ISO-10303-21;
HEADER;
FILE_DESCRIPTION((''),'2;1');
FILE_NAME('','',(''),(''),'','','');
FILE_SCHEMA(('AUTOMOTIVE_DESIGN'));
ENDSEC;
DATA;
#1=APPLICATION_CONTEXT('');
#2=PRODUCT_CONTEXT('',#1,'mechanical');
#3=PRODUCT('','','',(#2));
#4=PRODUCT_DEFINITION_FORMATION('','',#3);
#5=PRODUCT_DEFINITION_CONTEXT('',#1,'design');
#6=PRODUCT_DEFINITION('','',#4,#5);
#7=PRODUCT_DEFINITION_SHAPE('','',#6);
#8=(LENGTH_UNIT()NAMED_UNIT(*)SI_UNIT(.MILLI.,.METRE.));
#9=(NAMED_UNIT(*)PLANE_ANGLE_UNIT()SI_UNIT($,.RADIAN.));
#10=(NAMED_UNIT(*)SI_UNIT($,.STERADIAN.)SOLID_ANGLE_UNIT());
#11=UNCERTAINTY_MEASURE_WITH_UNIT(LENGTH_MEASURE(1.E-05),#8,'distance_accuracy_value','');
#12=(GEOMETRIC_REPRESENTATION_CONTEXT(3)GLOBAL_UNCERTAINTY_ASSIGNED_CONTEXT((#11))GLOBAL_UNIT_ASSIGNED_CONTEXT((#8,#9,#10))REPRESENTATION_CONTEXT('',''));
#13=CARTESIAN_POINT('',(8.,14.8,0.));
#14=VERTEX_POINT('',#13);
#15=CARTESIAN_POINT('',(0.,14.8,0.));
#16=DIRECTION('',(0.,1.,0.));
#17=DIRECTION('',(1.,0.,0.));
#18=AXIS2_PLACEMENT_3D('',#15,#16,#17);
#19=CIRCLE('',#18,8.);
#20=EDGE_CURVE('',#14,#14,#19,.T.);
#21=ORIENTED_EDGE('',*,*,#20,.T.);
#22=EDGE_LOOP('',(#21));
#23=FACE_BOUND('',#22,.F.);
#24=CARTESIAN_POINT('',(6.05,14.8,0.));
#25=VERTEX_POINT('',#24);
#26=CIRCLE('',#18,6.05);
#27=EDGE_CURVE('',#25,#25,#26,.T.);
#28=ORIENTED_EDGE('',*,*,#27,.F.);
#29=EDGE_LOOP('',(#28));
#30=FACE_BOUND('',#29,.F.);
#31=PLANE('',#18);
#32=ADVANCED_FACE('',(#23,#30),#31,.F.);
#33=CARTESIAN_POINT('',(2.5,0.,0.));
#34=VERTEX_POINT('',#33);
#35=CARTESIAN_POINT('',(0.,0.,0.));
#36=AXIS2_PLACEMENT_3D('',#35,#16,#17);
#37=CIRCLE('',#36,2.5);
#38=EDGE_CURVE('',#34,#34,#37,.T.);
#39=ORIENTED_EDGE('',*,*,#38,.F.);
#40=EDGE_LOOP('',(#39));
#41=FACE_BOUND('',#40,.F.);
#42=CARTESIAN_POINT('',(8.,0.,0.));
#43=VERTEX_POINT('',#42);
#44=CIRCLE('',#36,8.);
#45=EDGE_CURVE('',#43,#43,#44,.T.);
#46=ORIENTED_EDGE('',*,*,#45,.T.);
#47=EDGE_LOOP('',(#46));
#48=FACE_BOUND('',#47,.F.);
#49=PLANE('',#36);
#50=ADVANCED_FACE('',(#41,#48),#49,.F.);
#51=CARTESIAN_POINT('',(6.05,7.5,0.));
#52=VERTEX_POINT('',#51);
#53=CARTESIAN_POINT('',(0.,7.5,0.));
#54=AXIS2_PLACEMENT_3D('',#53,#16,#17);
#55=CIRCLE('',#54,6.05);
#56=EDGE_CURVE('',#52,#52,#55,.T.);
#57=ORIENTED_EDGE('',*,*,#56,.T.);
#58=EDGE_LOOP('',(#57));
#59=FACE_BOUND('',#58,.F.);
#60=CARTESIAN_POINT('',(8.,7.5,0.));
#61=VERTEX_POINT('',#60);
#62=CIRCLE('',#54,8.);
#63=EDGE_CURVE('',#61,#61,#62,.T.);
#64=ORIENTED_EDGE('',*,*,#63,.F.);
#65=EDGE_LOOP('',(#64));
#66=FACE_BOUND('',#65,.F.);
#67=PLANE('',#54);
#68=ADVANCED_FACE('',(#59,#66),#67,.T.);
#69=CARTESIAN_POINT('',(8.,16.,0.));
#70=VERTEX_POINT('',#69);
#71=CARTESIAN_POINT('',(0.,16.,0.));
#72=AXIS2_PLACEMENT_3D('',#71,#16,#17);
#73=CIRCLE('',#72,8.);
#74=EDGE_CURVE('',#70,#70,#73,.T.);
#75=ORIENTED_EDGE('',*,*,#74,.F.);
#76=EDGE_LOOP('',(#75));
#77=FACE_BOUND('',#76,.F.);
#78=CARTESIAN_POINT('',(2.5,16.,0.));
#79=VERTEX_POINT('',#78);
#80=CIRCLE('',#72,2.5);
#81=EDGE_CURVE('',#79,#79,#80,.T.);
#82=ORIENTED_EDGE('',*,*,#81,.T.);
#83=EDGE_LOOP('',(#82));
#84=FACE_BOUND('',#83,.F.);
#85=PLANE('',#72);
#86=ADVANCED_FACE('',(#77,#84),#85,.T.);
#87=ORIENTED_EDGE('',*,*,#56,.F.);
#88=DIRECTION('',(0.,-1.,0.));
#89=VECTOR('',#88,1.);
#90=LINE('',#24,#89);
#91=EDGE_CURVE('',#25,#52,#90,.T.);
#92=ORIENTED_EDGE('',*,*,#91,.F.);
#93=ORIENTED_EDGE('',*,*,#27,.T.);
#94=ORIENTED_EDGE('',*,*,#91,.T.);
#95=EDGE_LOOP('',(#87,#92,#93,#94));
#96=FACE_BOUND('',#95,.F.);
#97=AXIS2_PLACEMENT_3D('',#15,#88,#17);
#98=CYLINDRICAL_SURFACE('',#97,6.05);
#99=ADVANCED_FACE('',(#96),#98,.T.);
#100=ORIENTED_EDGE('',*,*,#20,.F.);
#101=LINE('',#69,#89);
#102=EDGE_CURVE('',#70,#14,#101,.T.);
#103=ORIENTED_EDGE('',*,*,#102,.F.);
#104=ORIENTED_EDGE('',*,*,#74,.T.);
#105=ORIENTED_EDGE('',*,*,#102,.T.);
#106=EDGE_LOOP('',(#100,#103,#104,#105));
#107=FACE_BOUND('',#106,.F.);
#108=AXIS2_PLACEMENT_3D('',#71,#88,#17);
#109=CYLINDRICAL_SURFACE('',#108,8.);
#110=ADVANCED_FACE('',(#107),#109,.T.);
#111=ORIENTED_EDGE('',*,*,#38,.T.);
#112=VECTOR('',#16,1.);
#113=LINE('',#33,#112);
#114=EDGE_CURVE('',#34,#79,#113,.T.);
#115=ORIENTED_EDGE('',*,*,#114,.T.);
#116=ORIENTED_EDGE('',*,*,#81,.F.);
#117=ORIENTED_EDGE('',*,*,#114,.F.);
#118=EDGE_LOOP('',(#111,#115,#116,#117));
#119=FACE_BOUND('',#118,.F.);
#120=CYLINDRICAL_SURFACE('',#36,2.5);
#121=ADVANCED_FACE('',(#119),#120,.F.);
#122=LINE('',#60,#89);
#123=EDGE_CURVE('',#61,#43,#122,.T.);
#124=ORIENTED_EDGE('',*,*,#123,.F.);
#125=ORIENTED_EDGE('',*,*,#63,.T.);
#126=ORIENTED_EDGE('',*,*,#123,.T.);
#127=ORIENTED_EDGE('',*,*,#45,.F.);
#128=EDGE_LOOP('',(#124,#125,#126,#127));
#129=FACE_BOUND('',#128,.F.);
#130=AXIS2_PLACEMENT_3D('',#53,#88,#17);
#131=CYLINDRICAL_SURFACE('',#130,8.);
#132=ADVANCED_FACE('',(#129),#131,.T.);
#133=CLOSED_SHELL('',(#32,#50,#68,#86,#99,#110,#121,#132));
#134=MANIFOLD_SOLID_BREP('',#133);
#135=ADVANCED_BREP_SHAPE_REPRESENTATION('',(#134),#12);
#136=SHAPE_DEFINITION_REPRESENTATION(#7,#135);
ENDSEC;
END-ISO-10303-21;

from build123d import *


with BuildPart() as part:
    # Sketch → Revolution (revolve)
    with BuildSketch(Plane.XY):
        Polygon((2.5, 0), (2.5, 16), (8, 16), (8, 14.8), (6.05, 14.8), (6.05, 7.5), (8, 7.5), (8, 0), align=None)
    revolve(axis=Axis((0, 0, 0), (0, 1, 0)))


solid = part.part
